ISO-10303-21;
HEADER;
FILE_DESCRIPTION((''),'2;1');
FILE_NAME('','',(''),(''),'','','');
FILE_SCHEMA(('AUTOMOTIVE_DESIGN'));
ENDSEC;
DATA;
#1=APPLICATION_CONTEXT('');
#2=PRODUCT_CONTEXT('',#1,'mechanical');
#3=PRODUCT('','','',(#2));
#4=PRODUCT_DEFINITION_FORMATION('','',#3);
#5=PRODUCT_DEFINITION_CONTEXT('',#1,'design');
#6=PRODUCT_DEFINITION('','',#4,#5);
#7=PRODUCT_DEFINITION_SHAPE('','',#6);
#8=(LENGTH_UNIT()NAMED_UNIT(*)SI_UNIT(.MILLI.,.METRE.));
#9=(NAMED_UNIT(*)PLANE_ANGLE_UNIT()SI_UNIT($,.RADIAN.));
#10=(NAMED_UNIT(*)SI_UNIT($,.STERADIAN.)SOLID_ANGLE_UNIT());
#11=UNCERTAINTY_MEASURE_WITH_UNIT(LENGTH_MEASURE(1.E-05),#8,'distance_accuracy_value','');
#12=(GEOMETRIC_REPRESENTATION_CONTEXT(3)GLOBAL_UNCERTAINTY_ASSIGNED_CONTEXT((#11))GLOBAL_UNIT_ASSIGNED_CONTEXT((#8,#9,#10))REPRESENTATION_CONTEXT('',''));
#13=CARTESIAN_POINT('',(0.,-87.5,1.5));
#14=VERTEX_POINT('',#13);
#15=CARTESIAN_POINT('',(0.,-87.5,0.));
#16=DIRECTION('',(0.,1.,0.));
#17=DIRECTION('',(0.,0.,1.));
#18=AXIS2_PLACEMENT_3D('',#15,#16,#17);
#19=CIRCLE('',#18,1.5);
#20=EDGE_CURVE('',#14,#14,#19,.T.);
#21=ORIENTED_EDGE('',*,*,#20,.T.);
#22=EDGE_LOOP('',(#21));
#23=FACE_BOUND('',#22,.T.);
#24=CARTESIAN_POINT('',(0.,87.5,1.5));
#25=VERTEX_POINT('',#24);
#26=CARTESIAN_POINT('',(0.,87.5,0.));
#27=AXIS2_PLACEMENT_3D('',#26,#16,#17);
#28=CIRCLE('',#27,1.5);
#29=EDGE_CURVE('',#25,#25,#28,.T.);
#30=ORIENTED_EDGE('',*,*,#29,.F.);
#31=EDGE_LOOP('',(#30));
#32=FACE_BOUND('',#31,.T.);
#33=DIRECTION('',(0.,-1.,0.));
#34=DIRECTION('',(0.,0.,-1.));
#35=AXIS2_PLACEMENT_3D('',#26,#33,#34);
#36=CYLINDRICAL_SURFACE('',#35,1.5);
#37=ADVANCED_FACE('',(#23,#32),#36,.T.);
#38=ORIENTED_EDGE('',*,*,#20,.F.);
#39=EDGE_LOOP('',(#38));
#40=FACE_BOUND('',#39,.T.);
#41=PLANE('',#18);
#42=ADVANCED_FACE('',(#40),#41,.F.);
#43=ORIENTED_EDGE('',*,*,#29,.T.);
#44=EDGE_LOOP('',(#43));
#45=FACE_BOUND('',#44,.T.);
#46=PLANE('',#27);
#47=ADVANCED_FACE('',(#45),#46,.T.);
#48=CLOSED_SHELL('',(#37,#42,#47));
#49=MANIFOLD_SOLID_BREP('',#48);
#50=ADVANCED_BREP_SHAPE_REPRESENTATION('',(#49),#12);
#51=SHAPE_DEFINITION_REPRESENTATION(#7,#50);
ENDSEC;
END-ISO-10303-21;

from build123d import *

# Parameters (mm, degrees)
SKETCH1_R           = 1.5
BOSS_EXTRUDE1_DEPTH = 87.5


with BuildPart() as part:
    # Sketch1 → Boss-Extrude1 (new, symmetric)
    with BuildSketch(Plane(origin=(0, 0, 0), x_dir=(1, 0, 0), z_dir=(0, 1, 0))):
        Circle(SKETCH1_R)
    extrude(amount=BOSS_EXTRUDE1_DEPTH, both=True)


solid = part.part
